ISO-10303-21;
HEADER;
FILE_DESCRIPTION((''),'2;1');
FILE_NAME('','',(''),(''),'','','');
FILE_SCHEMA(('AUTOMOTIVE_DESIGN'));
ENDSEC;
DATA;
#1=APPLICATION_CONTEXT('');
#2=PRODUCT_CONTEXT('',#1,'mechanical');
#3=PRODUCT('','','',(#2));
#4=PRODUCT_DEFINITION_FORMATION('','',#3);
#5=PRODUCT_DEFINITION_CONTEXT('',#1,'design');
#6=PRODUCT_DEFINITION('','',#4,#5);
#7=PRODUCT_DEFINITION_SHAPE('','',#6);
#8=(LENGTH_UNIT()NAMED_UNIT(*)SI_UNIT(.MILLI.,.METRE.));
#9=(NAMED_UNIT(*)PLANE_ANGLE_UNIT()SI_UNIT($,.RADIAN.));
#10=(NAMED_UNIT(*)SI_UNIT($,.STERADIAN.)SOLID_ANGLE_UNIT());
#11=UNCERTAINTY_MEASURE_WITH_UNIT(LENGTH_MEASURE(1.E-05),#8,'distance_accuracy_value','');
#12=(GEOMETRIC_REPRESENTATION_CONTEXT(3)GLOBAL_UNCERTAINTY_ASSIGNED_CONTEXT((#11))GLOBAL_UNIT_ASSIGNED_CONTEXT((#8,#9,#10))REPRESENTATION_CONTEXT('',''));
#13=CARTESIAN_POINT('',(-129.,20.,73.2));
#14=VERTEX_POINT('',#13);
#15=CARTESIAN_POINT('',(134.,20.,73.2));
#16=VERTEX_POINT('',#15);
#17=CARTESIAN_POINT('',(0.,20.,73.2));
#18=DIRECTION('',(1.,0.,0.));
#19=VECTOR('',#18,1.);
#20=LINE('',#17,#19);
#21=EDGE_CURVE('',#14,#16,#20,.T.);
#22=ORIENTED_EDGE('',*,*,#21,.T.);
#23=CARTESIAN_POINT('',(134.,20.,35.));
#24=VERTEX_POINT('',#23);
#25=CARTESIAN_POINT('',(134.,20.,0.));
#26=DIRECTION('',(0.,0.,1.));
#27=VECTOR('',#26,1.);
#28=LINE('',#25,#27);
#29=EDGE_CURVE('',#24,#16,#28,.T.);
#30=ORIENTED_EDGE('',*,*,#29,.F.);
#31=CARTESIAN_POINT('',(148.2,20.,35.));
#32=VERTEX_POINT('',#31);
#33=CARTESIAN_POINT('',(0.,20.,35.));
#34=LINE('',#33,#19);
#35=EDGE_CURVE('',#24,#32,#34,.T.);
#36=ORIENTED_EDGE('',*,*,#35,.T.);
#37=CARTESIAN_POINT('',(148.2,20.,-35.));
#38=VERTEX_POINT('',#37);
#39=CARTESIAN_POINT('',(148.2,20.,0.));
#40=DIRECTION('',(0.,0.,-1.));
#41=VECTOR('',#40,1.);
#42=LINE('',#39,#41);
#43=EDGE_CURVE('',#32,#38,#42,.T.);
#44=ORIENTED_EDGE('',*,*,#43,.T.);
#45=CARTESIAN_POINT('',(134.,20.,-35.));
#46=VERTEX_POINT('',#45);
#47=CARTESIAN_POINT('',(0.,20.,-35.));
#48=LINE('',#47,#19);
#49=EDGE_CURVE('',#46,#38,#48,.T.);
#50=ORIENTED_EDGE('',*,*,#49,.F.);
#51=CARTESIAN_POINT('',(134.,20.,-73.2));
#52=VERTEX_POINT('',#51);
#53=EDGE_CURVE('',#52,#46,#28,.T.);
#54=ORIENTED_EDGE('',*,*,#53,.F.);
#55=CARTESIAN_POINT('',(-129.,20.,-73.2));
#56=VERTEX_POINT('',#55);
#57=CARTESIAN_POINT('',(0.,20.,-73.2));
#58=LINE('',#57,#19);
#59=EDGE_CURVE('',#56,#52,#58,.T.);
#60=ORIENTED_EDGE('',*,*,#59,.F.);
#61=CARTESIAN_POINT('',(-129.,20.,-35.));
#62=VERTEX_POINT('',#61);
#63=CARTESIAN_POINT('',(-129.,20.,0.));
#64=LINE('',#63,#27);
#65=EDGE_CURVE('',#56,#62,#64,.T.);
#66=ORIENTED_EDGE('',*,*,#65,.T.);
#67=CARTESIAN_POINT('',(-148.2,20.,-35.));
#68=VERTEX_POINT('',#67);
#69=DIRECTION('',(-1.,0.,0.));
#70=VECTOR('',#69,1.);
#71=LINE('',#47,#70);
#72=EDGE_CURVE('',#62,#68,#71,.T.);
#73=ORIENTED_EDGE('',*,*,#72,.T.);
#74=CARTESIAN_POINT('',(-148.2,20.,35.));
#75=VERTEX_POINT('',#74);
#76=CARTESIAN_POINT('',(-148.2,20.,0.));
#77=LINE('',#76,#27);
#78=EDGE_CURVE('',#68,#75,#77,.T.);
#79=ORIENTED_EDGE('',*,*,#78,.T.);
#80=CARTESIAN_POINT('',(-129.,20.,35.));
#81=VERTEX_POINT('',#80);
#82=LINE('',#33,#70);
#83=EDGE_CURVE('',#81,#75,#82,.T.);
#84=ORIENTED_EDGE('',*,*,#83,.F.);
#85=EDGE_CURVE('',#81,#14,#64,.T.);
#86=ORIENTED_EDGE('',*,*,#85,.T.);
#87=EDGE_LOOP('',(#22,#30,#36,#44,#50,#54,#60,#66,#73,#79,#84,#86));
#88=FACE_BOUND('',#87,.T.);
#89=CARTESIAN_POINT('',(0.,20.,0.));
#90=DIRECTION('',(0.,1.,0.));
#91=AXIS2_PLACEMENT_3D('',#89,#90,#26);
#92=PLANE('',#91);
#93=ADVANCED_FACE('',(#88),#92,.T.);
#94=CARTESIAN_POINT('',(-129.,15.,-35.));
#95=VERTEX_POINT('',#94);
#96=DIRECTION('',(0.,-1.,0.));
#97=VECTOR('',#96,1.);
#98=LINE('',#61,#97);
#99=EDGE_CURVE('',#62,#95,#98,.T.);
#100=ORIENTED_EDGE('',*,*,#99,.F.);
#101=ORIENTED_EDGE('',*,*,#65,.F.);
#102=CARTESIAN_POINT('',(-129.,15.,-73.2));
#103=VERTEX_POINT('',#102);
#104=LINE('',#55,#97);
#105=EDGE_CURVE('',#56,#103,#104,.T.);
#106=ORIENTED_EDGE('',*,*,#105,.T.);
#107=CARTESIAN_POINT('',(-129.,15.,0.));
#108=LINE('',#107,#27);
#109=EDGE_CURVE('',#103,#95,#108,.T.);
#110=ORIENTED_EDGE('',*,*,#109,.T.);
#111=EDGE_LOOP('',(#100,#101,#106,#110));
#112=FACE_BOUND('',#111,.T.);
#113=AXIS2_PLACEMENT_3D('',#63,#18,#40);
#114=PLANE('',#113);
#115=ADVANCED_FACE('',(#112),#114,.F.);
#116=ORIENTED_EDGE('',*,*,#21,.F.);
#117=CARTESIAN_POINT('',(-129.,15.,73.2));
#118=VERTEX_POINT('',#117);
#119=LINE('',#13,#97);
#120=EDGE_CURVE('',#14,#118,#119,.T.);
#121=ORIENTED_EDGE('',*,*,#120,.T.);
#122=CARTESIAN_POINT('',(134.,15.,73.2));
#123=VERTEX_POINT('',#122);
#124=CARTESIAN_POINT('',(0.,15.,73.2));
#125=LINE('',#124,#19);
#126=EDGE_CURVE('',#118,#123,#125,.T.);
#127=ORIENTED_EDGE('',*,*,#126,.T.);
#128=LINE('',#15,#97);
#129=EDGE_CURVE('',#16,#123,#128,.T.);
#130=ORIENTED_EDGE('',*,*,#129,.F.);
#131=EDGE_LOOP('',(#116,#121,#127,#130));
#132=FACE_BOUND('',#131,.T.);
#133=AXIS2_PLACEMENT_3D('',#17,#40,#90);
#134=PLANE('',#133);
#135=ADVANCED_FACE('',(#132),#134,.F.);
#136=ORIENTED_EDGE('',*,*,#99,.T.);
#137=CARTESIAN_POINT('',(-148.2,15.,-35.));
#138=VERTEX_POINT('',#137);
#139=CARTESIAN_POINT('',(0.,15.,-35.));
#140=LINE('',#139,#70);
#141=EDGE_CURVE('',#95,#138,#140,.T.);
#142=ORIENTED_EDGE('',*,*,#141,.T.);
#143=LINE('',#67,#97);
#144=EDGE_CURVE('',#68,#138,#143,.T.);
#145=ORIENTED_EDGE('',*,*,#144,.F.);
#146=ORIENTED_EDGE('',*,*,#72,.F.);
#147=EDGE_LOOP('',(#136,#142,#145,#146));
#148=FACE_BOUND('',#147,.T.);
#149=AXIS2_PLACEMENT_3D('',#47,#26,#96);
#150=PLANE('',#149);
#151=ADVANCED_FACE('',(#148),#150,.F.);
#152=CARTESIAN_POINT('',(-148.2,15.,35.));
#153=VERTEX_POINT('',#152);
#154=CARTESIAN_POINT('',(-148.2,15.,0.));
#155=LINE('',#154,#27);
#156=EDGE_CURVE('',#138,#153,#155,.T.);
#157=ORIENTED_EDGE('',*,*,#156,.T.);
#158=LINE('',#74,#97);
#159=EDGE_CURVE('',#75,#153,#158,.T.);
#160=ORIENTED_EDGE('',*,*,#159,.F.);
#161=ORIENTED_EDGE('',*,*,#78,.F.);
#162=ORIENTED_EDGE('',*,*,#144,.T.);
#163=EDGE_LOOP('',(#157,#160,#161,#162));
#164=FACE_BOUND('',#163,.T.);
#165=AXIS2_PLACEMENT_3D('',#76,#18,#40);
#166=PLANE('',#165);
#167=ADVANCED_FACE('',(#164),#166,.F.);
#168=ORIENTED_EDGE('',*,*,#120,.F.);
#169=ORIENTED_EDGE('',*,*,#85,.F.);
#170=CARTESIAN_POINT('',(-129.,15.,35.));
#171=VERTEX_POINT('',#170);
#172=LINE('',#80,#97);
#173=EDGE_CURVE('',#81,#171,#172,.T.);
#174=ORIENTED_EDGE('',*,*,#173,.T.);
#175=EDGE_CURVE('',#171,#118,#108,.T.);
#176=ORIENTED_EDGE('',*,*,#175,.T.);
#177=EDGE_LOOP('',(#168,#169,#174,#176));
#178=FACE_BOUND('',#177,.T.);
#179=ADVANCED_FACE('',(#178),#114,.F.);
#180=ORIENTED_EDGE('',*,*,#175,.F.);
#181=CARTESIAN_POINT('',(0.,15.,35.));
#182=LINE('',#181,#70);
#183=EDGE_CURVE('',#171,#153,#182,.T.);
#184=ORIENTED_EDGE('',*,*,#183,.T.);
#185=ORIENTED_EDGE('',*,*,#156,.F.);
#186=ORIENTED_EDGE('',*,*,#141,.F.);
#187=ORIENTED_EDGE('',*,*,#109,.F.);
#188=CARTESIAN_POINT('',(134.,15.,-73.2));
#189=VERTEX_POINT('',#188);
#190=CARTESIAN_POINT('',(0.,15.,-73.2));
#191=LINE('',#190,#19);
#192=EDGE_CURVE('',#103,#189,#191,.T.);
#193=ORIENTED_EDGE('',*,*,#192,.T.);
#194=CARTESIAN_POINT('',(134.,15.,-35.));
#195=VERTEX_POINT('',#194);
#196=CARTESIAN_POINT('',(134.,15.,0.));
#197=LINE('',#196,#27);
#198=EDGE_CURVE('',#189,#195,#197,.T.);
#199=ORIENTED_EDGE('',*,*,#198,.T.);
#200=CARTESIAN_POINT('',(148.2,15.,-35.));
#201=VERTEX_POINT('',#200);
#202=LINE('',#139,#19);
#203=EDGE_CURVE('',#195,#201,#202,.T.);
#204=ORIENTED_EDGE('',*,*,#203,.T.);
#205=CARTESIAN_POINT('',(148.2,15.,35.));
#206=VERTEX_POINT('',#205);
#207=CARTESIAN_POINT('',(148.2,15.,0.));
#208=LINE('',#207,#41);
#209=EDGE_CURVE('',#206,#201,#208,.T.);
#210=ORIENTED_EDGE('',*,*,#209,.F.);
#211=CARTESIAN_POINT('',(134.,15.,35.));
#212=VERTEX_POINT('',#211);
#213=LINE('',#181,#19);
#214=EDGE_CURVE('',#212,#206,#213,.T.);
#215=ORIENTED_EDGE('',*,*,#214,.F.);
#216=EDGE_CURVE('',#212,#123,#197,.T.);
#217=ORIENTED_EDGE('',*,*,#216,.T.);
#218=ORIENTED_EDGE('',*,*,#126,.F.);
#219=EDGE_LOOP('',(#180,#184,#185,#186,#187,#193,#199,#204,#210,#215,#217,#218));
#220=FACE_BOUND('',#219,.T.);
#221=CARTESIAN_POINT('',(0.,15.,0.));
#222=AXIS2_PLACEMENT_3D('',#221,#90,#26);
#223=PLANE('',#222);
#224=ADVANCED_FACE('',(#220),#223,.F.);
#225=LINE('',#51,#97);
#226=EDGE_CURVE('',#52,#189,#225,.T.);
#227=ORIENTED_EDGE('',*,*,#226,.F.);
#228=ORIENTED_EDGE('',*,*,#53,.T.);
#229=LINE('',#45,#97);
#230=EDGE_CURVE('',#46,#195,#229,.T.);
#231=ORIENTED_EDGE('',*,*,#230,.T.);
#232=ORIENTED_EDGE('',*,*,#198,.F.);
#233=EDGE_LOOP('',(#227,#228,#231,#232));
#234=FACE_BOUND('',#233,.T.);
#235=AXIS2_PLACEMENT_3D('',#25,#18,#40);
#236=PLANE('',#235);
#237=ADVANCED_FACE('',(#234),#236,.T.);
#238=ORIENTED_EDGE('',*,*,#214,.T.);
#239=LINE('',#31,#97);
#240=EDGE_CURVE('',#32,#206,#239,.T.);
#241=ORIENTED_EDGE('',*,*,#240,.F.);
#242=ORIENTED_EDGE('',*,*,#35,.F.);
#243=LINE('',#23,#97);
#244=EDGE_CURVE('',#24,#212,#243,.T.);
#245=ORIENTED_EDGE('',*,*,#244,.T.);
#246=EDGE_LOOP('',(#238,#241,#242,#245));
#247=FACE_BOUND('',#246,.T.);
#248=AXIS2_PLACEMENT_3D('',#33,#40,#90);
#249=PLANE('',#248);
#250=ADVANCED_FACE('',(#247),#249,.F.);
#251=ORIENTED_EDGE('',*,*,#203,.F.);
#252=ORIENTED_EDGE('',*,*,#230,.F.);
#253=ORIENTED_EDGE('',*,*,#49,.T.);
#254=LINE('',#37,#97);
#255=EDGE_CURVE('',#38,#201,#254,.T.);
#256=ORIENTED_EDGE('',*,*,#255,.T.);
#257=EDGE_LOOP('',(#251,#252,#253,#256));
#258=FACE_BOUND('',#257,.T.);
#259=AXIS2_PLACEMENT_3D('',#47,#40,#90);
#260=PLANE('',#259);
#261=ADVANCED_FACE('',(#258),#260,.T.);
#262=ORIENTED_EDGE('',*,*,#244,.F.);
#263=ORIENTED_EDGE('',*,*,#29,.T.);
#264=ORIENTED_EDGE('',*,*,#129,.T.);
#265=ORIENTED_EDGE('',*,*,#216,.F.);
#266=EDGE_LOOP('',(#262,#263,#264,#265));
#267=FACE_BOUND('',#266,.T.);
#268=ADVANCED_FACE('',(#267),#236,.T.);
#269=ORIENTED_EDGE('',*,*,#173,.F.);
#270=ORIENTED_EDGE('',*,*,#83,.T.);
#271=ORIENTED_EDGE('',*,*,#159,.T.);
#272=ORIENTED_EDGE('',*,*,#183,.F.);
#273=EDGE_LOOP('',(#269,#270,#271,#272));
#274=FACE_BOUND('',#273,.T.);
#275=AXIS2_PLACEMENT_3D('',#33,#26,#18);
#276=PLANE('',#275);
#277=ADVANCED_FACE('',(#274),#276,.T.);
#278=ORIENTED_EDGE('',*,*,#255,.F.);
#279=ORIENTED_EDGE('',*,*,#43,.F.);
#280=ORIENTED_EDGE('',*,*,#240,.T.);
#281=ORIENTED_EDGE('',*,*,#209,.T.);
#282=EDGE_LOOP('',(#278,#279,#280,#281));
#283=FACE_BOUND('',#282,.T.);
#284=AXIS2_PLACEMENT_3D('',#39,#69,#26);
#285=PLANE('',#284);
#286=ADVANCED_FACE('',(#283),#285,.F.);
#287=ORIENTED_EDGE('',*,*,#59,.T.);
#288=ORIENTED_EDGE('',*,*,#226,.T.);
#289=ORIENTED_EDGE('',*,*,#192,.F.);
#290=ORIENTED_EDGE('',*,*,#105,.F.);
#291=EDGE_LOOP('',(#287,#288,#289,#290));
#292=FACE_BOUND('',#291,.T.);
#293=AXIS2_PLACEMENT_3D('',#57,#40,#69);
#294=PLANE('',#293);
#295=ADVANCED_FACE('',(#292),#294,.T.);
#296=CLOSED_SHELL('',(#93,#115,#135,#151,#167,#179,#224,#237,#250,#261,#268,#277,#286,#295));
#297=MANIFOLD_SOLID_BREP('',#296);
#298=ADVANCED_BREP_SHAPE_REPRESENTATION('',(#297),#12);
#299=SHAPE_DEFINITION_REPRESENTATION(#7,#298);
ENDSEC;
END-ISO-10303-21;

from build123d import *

# Parameters (mm, degrees)
SKIZZE1_W                       = 19.2
SKIZZE1_H                       = 70
SKIZZE1_W_2                     = 263
SKIZZE1_H_2                     = 146.4
SKIZZE1_W_3                     = 14.2
AUFSATZ_LINEAR_AUSTRAGEN1_DEPTH = 5


with BuildPart() as part:
    # Skizze1 → Aufsatz-Linear austragen1 (new body)
    with BuildSketch(Plane(origin=(0, 15, 0), x_dir=(1, 0, 0), z_dir=(0, 1, 0))):
        with Locations((-138.6, 0)):
            Rectangle(SKIZZE1_W, SKIZZE1_H)
        with Locations((2.5, 0)):
            Rectangle(SKIZZE1_W_2, SKIZZE1_H_2)
        with Locations((141.1, 0)):
            Rectangle(SKIZZE1_W_3, SKIZZE1_H)
    extrude(amount=AUFSATZ_LINEAR_AUSTRAGEN1_DEPTH)


solid = part.part
